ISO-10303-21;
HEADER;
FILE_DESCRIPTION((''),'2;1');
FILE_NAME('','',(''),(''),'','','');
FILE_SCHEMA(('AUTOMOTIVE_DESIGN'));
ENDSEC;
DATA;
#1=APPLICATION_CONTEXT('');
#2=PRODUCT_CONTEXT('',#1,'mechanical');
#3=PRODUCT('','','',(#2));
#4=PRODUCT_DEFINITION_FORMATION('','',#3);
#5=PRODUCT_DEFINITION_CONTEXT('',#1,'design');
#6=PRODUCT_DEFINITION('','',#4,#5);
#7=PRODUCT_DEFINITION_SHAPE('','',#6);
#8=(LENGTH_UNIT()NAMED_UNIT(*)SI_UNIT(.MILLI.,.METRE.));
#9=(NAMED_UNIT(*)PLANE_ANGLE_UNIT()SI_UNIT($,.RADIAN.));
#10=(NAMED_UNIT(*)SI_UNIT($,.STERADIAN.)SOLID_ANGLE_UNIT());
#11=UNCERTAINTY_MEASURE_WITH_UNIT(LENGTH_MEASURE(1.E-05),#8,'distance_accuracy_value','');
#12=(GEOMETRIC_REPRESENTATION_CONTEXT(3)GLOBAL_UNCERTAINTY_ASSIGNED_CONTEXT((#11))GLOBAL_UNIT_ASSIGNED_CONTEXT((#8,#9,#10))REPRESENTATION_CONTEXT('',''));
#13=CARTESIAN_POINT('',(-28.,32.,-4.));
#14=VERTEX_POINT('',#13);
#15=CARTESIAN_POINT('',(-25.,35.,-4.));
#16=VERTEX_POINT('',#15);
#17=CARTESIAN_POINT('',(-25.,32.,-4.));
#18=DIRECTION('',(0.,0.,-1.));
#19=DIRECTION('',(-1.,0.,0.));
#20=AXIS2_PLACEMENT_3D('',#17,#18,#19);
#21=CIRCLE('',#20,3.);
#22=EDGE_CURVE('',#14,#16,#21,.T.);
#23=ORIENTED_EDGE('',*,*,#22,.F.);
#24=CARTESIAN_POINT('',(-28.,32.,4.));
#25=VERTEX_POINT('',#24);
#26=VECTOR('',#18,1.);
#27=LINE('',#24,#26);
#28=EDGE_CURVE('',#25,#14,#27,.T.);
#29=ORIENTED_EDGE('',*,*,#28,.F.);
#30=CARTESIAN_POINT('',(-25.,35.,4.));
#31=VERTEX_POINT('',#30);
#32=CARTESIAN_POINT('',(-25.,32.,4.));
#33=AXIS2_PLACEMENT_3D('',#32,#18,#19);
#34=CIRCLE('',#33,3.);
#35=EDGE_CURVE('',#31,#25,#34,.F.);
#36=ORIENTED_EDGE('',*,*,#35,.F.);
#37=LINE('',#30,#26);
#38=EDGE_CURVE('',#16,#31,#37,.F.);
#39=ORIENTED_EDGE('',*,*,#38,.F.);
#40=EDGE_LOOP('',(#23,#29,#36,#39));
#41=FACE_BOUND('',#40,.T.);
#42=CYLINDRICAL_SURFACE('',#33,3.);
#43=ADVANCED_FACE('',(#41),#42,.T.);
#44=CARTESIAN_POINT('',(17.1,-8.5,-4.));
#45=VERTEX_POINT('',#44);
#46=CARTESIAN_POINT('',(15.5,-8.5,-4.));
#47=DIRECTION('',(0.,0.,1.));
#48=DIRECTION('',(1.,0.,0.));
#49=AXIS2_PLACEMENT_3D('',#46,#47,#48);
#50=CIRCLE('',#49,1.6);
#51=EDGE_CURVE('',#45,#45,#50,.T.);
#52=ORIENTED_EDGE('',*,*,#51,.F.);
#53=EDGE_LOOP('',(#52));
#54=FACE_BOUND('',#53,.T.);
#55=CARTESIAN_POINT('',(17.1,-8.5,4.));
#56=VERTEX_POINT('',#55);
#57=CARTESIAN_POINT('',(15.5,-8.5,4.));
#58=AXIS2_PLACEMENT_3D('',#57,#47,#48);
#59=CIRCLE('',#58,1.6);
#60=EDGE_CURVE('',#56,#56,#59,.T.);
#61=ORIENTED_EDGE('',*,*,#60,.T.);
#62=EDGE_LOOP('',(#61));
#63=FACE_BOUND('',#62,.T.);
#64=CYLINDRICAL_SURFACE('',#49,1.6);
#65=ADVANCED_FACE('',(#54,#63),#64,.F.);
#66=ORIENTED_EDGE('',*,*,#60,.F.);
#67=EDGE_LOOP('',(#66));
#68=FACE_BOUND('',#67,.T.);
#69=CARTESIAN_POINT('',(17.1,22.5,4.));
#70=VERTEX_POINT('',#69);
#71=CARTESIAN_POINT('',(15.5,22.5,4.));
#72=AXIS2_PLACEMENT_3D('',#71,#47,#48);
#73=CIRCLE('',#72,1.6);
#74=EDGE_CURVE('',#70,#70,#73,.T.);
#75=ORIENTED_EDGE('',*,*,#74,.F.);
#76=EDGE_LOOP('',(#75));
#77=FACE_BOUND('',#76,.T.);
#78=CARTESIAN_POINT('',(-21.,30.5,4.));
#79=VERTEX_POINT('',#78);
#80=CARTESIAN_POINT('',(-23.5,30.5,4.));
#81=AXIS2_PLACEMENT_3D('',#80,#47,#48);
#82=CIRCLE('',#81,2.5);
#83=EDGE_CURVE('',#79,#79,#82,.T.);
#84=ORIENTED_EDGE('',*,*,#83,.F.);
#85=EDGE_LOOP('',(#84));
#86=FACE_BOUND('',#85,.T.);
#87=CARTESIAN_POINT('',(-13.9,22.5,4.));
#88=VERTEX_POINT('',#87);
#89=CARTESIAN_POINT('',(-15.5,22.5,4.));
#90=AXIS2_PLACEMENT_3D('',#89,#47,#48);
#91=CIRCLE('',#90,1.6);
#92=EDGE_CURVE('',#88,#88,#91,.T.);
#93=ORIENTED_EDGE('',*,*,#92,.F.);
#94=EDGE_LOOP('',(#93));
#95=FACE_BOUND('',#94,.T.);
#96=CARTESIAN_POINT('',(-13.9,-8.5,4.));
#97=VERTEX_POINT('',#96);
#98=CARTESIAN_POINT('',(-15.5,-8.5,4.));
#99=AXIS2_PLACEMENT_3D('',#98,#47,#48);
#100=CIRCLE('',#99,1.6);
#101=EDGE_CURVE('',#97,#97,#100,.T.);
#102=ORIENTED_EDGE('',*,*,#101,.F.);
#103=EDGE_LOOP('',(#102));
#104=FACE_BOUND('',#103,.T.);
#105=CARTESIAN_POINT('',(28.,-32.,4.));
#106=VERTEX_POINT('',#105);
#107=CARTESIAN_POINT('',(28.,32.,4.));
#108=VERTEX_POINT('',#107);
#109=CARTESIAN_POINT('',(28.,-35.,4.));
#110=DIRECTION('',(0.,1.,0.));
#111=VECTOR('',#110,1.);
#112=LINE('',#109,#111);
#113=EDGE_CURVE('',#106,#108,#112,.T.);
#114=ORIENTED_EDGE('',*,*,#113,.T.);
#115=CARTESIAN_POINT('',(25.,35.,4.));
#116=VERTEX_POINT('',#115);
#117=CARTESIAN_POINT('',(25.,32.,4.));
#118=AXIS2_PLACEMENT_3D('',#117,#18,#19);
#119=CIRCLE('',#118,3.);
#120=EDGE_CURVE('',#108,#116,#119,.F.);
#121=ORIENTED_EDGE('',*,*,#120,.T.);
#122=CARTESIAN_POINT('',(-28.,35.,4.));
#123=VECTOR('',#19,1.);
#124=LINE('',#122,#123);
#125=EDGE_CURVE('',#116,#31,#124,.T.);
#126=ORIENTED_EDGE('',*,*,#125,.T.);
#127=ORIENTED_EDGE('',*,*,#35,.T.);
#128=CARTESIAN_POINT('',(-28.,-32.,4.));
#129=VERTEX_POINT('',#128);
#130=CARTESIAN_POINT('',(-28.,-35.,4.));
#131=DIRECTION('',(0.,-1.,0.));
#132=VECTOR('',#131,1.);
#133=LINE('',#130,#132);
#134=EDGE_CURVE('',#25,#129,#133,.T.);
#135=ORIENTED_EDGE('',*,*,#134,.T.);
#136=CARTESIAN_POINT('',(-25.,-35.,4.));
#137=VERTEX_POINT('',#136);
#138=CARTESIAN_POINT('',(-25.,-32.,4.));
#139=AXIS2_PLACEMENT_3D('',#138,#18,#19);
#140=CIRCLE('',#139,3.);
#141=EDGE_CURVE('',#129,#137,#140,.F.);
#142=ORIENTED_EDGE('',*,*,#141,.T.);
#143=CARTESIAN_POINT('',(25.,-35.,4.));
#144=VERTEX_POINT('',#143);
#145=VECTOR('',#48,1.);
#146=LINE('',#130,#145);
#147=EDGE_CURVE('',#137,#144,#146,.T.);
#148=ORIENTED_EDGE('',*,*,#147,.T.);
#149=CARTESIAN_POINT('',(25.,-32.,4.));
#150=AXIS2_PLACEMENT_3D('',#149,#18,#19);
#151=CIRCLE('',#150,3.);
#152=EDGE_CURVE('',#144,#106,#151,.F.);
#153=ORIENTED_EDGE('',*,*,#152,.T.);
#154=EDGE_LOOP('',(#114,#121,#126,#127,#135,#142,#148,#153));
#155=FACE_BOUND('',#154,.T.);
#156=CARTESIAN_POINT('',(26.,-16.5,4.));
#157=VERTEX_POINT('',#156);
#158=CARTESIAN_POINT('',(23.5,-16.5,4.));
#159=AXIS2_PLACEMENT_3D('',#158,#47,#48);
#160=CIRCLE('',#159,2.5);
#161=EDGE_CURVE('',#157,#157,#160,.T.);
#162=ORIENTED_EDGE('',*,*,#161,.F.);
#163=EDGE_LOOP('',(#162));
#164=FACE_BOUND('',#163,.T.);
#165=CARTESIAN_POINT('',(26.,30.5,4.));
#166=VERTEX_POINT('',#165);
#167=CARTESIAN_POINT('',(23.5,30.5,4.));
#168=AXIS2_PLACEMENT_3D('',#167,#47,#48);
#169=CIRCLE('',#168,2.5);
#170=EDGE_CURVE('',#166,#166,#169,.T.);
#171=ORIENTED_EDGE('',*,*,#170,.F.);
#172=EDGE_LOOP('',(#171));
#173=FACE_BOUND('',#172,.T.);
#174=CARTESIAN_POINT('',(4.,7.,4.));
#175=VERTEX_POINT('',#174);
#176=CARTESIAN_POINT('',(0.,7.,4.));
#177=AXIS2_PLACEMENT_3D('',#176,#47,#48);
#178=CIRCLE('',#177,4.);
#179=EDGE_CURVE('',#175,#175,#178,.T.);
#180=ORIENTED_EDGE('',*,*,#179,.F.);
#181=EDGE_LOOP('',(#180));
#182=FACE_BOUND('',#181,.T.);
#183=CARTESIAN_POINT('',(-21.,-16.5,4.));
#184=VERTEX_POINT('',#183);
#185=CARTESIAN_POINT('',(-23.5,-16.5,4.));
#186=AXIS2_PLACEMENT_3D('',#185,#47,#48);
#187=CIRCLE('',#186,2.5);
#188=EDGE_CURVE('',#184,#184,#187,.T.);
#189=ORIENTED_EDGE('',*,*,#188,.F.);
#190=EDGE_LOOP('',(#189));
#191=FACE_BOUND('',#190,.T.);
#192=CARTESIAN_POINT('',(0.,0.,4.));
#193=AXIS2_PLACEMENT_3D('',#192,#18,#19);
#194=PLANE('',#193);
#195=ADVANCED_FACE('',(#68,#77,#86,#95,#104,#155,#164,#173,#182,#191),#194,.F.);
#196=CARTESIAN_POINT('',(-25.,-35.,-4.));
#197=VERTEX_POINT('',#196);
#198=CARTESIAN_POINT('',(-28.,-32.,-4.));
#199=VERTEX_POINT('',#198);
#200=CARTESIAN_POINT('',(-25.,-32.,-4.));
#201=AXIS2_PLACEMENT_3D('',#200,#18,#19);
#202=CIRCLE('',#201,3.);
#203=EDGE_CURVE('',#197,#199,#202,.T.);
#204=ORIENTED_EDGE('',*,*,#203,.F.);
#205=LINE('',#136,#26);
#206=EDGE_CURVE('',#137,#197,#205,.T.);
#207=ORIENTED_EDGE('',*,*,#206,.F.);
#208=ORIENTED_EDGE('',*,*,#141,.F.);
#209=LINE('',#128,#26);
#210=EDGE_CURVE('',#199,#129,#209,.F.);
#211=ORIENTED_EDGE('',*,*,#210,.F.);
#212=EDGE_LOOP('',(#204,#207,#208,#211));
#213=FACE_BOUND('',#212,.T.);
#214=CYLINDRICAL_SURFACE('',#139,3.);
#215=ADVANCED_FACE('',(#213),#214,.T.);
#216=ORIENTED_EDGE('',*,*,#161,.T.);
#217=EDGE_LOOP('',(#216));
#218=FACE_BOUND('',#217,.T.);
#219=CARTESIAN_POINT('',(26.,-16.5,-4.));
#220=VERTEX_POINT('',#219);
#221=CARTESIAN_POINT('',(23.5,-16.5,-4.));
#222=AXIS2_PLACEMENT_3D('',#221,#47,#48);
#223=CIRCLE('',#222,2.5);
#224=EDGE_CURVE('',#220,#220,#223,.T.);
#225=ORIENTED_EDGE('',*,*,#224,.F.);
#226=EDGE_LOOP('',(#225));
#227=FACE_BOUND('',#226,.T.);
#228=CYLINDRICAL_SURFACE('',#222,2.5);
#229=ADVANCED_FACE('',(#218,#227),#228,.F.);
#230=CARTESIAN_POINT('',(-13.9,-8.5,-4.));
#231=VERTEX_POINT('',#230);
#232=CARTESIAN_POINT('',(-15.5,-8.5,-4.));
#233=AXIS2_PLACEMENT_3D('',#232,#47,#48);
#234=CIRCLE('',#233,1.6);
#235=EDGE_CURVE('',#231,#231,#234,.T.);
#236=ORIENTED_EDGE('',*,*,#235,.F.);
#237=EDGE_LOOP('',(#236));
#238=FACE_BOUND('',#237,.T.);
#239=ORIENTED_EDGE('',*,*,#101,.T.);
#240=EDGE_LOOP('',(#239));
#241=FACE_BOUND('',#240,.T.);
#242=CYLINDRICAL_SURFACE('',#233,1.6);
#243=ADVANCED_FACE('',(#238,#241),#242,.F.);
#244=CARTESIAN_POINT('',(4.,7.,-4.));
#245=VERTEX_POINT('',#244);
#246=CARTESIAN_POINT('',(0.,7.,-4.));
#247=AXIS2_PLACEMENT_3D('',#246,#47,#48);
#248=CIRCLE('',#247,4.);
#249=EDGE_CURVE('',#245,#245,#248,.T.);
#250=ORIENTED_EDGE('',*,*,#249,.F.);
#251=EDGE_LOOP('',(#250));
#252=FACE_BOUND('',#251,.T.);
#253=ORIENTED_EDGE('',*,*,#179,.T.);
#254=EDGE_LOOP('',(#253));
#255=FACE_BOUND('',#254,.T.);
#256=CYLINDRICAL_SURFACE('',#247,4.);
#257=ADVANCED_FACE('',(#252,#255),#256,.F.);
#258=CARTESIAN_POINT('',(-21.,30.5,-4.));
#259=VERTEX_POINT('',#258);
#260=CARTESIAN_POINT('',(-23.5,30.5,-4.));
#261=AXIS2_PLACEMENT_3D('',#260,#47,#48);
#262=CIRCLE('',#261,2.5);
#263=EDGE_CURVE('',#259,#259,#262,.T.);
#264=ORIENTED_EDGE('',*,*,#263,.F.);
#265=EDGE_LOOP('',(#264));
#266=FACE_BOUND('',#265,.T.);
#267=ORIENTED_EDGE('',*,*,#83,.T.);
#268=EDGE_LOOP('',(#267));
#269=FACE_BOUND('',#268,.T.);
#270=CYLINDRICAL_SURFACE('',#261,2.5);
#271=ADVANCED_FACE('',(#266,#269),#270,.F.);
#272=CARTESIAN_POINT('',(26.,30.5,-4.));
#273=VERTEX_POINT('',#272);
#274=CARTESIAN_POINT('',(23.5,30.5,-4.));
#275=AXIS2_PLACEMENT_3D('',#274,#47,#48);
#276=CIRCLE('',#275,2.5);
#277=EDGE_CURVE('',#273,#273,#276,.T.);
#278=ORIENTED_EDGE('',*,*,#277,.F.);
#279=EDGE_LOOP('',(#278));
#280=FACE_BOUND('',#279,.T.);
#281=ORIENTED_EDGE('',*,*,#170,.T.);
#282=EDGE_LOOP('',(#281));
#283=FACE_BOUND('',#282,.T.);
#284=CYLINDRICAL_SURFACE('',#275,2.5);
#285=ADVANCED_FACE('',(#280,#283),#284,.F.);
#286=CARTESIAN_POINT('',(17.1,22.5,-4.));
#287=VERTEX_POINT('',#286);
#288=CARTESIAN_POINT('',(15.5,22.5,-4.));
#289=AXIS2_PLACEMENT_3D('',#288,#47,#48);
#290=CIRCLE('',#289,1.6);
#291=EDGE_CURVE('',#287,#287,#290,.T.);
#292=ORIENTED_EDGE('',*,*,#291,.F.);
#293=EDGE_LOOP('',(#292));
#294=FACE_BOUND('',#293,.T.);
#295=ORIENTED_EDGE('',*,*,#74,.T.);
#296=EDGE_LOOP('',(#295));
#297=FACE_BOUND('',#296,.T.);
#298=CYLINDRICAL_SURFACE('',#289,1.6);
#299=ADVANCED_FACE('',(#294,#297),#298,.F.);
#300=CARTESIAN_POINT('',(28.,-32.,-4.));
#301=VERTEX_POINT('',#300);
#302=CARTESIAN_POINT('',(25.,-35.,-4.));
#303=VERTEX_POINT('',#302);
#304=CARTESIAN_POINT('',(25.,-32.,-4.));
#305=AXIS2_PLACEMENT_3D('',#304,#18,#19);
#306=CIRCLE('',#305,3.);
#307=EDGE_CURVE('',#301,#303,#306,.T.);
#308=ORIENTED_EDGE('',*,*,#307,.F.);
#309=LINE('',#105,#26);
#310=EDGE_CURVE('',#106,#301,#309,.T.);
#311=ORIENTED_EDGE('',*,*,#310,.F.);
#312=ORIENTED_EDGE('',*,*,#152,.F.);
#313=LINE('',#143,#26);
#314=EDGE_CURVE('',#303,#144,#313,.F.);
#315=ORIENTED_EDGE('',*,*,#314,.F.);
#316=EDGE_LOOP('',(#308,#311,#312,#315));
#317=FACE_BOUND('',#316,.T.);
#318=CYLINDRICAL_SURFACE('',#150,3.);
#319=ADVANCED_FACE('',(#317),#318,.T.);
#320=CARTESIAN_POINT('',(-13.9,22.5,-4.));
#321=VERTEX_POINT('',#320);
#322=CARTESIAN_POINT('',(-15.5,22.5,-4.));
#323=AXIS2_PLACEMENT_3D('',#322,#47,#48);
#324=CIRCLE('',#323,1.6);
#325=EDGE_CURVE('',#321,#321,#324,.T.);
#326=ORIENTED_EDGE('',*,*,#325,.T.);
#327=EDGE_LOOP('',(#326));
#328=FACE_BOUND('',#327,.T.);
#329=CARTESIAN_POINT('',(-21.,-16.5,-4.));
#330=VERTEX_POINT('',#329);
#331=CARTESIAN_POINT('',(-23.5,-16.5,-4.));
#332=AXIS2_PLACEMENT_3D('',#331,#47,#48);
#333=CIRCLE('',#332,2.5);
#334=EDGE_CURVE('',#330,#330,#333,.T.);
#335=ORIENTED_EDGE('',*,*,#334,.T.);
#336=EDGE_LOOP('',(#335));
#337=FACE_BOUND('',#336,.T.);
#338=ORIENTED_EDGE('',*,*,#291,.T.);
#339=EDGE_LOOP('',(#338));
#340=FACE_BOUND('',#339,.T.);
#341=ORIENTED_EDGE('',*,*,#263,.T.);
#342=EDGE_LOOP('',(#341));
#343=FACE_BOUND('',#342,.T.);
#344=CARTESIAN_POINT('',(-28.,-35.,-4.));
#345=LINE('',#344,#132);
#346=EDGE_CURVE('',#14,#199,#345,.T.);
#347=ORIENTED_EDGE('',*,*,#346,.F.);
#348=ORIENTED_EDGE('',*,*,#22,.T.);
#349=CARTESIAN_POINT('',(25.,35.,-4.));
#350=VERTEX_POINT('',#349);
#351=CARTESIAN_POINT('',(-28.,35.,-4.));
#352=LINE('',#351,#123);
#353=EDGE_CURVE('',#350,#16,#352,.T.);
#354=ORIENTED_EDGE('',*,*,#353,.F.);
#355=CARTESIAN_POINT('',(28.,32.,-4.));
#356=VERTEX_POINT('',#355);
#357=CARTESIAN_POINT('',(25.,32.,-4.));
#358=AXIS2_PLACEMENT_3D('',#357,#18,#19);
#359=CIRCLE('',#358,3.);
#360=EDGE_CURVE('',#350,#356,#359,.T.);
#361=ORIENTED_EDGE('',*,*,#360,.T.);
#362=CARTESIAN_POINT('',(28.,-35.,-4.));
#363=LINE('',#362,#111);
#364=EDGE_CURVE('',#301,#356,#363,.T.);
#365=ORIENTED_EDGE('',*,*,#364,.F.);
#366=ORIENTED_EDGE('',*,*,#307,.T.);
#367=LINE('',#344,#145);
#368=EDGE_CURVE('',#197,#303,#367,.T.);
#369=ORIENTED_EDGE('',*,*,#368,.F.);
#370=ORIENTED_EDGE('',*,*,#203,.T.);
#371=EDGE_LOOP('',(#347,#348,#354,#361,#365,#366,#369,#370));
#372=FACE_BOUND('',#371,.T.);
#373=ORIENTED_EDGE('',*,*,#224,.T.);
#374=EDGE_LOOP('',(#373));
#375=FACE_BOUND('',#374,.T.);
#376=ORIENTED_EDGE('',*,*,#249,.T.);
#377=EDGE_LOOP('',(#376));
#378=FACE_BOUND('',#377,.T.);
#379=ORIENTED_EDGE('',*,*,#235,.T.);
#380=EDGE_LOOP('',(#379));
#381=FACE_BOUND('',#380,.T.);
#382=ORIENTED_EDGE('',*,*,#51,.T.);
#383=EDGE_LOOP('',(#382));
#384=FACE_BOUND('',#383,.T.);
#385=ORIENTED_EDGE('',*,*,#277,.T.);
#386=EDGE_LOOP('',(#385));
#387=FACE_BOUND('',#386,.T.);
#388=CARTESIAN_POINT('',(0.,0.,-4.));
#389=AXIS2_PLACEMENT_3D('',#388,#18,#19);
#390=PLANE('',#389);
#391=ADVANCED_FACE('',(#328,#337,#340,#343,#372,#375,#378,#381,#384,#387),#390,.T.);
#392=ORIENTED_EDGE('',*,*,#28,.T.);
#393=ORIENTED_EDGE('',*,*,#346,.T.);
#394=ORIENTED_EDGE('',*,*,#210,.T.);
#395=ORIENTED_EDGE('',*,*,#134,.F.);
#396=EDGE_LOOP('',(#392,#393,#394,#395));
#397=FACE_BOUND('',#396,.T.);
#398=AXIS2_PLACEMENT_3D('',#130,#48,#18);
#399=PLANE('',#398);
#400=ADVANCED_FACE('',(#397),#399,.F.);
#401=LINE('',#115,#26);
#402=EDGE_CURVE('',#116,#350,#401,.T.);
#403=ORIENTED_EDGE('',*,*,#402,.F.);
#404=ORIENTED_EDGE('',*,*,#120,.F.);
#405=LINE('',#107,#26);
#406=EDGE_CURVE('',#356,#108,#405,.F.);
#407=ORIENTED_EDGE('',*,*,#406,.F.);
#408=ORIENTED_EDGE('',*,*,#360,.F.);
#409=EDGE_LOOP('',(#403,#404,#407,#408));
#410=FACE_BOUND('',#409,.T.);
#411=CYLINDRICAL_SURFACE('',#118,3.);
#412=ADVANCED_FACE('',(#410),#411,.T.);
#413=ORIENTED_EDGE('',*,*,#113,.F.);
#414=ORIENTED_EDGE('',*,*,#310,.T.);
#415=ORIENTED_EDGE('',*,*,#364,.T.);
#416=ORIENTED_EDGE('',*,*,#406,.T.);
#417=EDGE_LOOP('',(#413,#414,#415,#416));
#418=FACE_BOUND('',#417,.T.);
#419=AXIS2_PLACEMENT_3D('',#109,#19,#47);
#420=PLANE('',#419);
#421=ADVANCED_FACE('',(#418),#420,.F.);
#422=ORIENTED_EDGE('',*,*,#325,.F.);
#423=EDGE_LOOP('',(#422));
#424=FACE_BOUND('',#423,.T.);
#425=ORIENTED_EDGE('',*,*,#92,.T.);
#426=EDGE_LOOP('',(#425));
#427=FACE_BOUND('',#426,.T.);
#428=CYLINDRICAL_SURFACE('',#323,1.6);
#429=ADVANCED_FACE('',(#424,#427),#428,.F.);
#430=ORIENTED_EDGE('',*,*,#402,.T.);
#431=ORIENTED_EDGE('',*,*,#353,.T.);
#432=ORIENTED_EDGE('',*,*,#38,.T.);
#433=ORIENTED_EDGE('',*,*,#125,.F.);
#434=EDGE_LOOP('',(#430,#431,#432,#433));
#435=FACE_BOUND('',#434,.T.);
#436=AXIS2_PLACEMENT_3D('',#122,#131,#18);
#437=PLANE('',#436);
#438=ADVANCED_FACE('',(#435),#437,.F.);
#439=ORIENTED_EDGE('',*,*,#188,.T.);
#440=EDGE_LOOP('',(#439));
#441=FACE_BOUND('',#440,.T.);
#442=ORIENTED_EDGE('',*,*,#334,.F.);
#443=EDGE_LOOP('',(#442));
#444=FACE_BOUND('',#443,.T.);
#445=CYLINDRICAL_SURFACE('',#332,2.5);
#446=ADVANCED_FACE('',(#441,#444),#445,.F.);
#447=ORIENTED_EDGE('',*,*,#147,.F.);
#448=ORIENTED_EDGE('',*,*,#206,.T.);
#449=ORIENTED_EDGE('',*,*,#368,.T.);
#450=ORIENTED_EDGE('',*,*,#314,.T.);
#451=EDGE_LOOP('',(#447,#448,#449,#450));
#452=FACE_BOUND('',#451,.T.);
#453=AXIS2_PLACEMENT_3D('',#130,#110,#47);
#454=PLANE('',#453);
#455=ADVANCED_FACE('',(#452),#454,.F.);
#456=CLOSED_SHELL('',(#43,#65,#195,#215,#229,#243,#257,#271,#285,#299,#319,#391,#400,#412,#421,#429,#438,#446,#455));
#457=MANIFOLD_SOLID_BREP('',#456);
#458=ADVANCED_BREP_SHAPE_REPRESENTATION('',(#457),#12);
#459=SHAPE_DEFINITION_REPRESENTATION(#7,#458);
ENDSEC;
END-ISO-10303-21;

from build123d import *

# Parameters (mm, degrees)
SKETCH1_W           = 56
SKETCH1_H           = 70
BOSS_EXTRUDE1_DEPTH = 4
SKETCH2_R           = 2.5
SKETCH2_R_2         = 4
SKETCH2_R_3         = 1.6
CUT_EXTRUDE1_DEPTH  = 46.530209751
FILLET1_R           = 3


with BuildPart() as part:
    # Sketch1 → Boss-Extrude1 (new, symmetric)
    with BuildSketch(Plane.XY):
        Rectangle(SKETCH1_W, SKETCH1_H)
    extrude(amount=BOSS_EXTRUDE1_DEPTH, both=True)

    # Sketch2 → Cut-Extrude1 (cut, through all)
    with BuildSketch(Plane.XY.offset(4)):
        with Locations((-23.5, 30.5)):
            Circle(SKETCH2_R)
        with Locations((23.5, 30.5)):
            Circle(SKETCH2_R)
        with Locations((23.5, -16.5)):
            Circle(SKETCH2_R)
        with Locations((-23.5, -16.5)):
            Circle(SKETCH2_R)
        with Locations((0, 7)):
            Circle(SKETCH2_R_2)
        with Locations((-15.5, 22.5)):
            Circle(SKETCH2_R_3)
        with Locations((15.5, 22.5)):
            Circle(SKETCH2_R_3)
        with Locations((15.5, -8.5)):
            Circle(SKETCH2_R_3)
        with Locations((-15.5, -8.5)):
            Circle(SKETCH2_R_3)
    extrude(amount=-CUT_EXTRUDE1_DEPTH, mode=Mode.SUBTRACT)

    # Fillet1
    fillet1_edges = [part.edges().sort_by_distance(p)[0] for p in [
        (28, -35, 0),
        (-28, -35, 0),
        (-28, 35, 0),
        (28, 35, 0),
    ]]
    fillet(fillet1_edges, radius=FILLET1_R)


solid = part.part
